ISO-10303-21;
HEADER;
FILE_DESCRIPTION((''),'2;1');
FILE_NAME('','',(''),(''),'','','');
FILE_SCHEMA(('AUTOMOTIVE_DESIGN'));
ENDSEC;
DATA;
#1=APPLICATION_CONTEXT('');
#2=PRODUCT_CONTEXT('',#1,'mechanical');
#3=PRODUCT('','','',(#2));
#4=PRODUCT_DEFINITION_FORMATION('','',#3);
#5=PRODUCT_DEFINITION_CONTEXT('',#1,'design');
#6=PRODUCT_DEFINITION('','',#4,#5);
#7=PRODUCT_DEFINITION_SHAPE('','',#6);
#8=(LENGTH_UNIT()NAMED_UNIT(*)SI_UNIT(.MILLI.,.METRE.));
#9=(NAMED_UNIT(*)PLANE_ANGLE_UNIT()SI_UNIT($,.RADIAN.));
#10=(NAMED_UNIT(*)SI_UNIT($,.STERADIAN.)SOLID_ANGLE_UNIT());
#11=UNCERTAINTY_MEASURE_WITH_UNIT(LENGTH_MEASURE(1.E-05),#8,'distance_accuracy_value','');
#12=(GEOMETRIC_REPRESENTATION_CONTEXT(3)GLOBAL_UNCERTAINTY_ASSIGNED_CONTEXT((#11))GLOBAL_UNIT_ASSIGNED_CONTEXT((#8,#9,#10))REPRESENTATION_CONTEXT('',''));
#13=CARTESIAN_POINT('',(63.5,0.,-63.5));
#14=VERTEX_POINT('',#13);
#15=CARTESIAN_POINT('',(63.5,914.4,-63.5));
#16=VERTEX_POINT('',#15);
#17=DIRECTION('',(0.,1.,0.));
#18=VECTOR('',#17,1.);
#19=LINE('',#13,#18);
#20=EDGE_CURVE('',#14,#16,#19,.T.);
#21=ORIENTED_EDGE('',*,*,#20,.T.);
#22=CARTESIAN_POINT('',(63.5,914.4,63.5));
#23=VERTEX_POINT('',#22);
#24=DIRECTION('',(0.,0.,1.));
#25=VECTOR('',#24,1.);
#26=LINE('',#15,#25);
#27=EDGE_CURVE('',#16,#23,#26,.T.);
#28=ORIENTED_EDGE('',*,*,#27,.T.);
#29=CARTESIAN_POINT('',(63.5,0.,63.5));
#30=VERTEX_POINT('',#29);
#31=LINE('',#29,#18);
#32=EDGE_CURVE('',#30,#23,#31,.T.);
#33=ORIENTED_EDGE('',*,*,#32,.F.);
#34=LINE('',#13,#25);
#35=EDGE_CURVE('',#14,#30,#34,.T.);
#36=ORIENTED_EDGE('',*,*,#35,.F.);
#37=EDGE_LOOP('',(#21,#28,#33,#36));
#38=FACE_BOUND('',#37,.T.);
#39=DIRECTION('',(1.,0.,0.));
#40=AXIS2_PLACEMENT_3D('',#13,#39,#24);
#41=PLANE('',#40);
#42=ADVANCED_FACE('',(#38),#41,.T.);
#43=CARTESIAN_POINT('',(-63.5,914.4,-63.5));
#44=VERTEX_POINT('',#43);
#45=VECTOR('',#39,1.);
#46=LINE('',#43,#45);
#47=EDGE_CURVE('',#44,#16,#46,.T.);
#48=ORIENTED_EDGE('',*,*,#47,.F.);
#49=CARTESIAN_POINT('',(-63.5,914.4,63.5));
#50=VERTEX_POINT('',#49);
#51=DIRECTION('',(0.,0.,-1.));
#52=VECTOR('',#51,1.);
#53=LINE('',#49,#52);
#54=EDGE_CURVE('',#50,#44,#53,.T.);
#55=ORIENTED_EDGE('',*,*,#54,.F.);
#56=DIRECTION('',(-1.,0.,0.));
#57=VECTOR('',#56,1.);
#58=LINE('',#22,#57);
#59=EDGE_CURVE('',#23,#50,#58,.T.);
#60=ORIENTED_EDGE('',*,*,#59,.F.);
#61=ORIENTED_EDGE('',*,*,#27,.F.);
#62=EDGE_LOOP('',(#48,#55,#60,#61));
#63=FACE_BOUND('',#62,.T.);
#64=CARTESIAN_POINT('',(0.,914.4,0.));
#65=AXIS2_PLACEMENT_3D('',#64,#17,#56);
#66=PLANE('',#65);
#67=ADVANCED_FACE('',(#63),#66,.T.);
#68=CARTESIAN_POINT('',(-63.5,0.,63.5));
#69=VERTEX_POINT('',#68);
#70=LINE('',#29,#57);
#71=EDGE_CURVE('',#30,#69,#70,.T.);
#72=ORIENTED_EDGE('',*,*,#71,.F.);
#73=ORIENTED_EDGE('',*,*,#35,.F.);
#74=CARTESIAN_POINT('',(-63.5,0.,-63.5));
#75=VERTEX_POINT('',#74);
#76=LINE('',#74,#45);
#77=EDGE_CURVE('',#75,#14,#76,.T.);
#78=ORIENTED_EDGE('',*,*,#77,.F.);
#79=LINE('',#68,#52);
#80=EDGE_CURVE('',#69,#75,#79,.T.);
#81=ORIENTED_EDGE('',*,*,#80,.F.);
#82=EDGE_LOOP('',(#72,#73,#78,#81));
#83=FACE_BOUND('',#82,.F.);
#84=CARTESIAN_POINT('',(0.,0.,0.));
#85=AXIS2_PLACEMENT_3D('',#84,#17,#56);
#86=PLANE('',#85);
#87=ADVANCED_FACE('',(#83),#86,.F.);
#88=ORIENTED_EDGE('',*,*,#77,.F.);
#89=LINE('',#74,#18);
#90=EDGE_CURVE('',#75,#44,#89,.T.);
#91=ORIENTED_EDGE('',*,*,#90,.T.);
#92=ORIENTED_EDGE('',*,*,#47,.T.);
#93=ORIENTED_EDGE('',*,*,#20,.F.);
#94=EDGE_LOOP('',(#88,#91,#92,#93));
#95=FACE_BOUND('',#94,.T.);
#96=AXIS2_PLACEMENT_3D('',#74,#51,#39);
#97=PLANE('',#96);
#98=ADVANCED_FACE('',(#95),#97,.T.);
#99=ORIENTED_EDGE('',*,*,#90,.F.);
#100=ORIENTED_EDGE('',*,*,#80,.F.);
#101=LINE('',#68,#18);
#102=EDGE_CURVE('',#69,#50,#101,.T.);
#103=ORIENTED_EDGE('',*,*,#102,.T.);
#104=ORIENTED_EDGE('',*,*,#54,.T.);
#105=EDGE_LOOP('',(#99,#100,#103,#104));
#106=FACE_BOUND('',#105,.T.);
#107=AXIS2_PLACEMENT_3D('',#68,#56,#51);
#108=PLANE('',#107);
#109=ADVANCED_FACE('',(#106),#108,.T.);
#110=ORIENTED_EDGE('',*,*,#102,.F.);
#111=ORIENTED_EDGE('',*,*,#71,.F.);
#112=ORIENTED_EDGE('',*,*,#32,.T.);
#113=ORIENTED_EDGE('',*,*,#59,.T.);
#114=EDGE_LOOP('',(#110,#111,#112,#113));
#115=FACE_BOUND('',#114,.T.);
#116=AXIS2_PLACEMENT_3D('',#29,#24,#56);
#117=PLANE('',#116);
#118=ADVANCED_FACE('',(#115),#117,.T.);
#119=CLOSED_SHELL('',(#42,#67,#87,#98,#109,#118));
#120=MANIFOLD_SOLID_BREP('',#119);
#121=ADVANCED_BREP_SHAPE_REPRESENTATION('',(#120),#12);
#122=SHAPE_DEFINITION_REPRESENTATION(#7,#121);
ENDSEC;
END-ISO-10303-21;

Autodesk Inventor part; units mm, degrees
ref_plane "YZ Plane" through (0, 0, 0) normal (1, 0, 0) x (0, 1, 0)
ref_plane "XZ Plane" through (0, 0, 0) normal (0, 1, 0) x (-1, 0, 0)
ref_plane "XY Plane" through (0, 0, 0) normal (0, 0, 1) x (1, 0, 0)
sketch "Sketch1" plane through (0, 0, 0) normal (0, 1, 0) x (-1, 0, 0)
  line L0 (-63.5, 63.5) -> (63.5, 63.5)
  line L1 (63.5, 63.5) -> (63.5, -63.5)
  line L2 (63.5, -63.5) -> (-63.5, -63.5)
  line L3 (-63.5, -63.5) -> (-63.5, 63.5)
  line L4 (-63.5, 63.5) -> (63.5, -63.5) construction
  line L5 (63.5, 63.5) -> (-63.5, -63.5) construction
  point P0 (0, 0)
  dimension "d0" = 127
extrude "Extrusion1" add sketch "Sketch1" along normal blind 914.4
properties part number "column"
